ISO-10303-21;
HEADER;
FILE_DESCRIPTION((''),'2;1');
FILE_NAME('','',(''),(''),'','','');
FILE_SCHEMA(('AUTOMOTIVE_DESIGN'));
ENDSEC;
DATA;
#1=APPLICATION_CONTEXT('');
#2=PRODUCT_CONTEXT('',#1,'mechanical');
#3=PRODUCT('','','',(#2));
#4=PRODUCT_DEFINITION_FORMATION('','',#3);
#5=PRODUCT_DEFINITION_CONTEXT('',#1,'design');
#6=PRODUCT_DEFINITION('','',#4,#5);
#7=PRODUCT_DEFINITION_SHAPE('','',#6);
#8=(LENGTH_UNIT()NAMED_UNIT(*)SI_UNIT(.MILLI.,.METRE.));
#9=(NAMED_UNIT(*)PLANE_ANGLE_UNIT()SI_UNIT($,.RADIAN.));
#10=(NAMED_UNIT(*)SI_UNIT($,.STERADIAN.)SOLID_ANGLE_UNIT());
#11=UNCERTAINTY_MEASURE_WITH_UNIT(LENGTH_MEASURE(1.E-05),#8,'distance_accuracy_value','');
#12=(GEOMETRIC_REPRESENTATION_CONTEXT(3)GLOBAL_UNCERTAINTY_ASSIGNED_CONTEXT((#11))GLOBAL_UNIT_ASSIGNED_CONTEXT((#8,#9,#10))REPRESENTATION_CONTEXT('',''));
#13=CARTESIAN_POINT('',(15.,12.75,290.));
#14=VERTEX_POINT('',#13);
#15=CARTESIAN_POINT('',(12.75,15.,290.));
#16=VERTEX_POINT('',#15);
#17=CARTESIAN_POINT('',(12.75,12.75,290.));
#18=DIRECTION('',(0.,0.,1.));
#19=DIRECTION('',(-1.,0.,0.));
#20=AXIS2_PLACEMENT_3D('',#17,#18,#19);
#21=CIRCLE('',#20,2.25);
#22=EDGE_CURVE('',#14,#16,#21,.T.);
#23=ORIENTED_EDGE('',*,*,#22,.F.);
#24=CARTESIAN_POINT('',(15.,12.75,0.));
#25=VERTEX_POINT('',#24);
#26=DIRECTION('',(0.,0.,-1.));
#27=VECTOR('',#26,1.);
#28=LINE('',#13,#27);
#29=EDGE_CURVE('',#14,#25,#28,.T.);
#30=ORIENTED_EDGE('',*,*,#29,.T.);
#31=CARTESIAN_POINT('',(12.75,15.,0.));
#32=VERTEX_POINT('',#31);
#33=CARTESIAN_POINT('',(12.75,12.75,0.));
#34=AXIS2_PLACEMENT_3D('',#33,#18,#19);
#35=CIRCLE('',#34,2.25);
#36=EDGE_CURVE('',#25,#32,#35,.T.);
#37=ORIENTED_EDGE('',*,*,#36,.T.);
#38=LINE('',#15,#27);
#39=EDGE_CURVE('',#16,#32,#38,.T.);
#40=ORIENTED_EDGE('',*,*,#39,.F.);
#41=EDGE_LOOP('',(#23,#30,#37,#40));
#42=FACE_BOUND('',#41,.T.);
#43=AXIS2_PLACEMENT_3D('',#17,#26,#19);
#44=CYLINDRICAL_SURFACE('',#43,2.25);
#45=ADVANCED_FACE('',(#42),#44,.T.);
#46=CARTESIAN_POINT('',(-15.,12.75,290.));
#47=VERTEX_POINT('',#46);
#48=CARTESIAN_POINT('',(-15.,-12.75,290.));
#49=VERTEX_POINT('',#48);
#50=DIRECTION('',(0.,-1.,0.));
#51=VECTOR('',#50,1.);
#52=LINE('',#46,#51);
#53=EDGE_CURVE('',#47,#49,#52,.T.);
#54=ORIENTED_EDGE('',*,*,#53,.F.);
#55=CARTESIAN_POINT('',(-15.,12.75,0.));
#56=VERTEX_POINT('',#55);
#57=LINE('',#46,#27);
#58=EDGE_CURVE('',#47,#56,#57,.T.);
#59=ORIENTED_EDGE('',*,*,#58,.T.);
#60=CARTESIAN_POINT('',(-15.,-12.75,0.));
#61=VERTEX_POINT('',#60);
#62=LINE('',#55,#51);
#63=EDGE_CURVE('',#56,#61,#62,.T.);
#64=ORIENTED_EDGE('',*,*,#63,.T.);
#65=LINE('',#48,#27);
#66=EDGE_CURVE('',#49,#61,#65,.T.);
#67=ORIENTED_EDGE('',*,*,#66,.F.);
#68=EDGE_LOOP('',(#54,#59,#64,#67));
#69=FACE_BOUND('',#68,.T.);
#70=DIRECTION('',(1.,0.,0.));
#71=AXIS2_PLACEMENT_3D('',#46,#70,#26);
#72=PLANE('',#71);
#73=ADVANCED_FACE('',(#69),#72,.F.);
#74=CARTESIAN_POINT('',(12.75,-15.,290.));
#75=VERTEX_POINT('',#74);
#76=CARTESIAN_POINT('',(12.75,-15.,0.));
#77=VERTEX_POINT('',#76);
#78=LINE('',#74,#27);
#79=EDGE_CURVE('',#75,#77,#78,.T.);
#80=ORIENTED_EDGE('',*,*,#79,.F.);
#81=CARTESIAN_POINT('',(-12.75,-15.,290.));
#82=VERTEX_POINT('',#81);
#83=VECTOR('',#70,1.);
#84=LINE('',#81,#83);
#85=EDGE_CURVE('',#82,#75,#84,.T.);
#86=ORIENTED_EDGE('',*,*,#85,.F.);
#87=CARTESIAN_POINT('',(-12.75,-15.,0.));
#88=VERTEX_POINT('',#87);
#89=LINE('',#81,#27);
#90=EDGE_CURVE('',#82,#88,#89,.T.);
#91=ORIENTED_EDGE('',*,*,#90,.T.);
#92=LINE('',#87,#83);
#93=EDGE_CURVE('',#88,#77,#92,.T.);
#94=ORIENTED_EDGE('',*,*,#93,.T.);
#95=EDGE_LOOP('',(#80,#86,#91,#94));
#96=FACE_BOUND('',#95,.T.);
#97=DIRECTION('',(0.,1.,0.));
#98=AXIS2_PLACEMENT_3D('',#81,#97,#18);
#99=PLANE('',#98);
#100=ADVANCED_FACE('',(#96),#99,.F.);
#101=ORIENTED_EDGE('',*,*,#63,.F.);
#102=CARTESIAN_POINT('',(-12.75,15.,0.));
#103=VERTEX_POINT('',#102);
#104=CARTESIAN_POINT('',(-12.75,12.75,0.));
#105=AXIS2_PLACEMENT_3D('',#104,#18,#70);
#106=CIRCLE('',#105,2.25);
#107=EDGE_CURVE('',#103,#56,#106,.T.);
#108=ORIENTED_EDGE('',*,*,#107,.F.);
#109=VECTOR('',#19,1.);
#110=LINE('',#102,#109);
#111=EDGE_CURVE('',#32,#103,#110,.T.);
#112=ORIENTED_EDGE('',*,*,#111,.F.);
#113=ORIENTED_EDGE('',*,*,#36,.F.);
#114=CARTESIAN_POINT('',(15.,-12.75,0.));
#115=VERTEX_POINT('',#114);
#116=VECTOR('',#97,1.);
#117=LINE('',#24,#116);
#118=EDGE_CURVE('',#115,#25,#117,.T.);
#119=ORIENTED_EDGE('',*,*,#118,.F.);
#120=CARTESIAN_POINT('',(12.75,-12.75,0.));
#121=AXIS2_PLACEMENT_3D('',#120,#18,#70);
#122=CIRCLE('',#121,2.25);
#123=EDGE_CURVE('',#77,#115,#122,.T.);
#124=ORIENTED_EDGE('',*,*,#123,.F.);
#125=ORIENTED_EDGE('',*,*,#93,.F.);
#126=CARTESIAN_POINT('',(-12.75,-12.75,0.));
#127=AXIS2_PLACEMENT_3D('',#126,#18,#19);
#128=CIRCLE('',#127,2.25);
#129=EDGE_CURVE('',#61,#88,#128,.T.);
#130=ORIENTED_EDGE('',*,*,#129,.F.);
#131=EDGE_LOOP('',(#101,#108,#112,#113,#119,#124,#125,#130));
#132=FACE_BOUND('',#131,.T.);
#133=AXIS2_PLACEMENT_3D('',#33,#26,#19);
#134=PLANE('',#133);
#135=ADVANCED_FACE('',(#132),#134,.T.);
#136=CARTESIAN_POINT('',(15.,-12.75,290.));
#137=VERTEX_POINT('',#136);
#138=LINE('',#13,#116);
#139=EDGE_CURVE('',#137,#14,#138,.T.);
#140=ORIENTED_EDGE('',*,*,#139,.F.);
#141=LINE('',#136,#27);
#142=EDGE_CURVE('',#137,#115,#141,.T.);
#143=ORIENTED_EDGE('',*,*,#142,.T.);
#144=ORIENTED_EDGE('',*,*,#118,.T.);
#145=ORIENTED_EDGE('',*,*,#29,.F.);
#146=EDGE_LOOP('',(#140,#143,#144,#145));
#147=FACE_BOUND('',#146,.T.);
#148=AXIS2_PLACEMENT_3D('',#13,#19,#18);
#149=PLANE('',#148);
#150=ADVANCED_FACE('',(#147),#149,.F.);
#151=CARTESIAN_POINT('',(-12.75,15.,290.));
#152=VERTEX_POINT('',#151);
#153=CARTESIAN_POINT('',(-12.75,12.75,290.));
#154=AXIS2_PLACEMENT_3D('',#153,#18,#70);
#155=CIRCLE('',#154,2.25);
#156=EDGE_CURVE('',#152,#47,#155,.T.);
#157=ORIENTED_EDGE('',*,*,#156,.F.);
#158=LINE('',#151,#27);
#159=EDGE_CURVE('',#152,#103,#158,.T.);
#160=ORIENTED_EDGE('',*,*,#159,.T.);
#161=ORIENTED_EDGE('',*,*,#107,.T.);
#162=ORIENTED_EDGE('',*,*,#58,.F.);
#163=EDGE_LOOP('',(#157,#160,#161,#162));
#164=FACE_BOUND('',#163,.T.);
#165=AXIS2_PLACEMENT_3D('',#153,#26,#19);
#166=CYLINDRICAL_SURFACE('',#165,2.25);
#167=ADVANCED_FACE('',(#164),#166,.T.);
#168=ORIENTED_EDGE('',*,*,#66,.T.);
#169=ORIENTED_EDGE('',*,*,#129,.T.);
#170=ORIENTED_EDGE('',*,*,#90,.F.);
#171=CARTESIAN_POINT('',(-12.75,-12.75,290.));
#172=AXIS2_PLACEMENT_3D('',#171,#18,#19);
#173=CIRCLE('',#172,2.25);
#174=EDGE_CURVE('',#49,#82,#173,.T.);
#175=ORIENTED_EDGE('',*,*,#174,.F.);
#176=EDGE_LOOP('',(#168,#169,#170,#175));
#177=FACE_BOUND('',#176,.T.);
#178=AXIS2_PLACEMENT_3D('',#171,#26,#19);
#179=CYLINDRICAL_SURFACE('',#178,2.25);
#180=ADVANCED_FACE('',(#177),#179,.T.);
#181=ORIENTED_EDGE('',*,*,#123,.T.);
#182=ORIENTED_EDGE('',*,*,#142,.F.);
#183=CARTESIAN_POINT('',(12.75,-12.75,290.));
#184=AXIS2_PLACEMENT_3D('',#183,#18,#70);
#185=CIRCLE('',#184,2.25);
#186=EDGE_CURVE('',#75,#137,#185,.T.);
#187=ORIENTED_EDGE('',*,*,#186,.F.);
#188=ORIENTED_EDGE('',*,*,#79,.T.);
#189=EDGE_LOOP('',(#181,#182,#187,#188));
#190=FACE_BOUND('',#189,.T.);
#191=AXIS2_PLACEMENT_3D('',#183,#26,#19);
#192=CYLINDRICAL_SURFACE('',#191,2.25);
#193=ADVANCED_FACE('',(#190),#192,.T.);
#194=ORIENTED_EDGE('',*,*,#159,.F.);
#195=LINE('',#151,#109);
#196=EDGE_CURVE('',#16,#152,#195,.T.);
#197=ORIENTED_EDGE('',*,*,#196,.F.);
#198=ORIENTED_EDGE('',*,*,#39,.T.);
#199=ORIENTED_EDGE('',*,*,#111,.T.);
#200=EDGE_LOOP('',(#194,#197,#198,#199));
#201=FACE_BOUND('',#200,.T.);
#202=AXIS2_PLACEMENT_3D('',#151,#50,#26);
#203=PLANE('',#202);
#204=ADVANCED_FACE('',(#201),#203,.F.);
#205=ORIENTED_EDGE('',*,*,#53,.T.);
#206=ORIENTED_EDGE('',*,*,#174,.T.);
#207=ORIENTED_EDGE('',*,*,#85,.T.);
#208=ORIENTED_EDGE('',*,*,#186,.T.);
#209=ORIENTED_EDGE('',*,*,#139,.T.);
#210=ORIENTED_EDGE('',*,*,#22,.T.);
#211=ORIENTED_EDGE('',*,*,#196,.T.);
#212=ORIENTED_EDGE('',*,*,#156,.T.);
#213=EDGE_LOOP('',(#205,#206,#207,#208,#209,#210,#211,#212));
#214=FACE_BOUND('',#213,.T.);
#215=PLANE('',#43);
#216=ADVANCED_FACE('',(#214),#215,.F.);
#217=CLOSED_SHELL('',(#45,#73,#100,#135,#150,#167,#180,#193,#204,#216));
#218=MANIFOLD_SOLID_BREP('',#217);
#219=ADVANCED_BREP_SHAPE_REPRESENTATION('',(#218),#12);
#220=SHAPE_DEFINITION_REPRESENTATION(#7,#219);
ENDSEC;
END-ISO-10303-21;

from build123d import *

# Parameters (mm, degrees)
EXTRUSION1_DEPTH = 290


with BuildPart() as part:
    # Esquisse1 → Extrusion1 (new body)
    with BuildSketch(Plane.XY):
        with BuildLine():
            Line((-15, 12.75), (-15, -12.75))
            ThreePointArc((-15, -12.75), (-14.340990258, -14.340990258), (-12.75, -15))
            Line((-12.75, -15), (12.75, -15))
            ThreePointArc((12.75, -15), (14.340990258, -14.340990258), (15, -12.75))
            Line((15, -12.75), (15, 12.75))
            ThreePointArc((15, 12.75), (14.340990258, 14.340990258), (12.75, 15))
            Line((12.75, 15), (-12.75, 15))
            ThreePointArc((-12.75, 15), (-14.340990258, 14.340990258), (-15, 12.75))
        make_face()
    extrude(amount=EXTRUSION1_DEPTH)


solid = part.part
